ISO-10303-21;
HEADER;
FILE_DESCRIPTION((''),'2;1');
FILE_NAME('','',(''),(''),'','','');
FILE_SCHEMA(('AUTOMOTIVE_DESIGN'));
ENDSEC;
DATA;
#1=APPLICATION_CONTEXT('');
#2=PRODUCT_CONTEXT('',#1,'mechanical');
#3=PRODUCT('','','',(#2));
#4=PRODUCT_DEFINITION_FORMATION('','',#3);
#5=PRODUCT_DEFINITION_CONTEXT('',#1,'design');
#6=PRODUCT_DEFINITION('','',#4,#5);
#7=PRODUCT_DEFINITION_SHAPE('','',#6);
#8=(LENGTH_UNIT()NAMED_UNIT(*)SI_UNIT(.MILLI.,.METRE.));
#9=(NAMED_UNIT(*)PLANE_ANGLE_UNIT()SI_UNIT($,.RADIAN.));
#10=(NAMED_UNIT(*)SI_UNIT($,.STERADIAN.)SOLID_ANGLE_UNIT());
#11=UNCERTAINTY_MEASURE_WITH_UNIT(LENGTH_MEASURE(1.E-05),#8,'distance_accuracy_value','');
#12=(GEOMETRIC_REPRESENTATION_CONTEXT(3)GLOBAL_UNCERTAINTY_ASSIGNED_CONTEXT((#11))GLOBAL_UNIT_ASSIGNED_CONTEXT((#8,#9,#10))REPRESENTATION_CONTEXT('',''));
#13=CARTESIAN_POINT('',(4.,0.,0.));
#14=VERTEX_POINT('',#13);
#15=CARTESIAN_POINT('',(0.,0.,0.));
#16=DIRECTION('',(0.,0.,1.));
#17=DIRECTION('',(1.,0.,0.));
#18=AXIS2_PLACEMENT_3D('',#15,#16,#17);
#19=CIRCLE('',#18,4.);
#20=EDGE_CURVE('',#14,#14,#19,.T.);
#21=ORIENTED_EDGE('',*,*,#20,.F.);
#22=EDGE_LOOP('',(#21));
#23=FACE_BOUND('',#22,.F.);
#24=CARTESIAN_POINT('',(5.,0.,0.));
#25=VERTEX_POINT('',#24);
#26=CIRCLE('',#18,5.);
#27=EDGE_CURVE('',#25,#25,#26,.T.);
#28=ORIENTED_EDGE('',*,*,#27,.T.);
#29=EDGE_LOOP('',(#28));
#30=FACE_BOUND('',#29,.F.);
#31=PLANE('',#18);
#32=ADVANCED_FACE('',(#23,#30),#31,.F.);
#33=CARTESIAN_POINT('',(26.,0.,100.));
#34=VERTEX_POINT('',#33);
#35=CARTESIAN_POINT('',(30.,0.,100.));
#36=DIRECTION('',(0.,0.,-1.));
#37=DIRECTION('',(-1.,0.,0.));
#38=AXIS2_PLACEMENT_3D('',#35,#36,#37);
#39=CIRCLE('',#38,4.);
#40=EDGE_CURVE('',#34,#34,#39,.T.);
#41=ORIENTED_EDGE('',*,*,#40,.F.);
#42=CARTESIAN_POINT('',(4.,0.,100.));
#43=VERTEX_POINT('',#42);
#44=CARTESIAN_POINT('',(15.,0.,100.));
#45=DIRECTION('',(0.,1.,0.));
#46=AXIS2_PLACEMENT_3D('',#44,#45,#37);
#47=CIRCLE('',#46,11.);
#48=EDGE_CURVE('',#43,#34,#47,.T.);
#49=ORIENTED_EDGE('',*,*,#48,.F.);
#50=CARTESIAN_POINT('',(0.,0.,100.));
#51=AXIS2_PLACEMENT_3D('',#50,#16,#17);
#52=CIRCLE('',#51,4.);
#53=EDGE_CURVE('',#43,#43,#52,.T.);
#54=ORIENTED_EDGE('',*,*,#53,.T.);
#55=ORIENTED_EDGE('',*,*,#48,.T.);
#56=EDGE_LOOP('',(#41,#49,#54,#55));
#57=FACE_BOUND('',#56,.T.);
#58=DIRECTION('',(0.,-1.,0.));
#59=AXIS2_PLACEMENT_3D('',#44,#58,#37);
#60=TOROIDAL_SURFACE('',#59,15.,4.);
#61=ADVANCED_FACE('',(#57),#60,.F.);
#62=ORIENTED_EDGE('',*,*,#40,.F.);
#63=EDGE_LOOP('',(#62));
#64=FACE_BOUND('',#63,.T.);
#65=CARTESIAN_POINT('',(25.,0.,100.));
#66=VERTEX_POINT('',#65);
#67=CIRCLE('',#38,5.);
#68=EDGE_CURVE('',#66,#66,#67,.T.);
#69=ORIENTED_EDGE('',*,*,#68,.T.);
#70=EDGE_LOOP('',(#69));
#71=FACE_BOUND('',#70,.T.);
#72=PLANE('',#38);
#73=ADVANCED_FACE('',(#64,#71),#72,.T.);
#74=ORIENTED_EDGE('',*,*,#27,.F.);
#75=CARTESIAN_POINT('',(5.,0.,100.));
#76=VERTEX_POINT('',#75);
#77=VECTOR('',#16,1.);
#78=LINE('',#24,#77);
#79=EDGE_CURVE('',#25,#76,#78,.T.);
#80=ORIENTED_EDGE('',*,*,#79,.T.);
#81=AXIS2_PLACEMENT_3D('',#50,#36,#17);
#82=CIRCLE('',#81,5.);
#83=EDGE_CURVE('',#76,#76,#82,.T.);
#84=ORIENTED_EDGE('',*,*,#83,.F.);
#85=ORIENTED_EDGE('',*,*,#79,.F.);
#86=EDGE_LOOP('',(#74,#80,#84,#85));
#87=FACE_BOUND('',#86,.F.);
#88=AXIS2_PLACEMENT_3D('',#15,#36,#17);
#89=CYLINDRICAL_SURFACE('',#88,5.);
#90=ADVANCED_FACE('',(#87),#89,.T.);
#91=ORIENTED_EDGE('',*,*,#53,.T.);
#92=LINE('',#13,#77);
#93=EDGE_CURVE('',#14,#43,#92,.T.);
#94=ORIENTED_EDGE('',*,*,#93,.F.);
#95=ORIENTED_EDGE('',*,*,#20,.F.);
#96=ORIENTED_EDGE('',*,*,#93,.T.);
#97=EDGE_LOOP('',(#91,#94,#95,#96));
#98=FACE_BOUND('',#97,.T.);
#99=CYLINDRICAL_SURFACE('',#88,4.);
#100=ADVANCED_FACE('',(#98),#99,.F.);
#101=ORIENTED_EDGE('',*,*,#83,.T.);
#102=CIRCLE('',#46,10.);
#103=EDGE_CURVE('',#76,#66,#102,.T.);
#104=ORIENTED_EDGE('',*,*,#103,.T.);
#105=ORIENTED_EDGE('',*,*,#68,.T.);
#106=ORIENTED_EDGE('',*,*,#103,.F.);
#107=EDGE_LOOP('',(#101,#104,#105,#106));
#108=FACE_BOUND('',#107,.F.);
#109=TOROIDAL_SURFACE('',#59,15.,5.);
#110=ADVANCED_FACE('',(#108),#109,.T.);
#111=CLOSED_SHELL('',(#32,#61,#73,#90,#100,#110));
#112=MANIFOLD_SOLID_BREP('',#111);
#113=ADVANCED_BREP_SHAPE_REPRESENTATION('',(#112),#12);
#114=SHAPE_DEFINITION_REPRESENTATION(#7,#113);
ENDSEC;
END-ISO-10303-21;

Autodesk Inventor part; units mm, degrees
ref_plane "YZ Plane" through (0, 0, 0) normal (1, 0, 0) x (0, 1, 0)
ref_plane "XZ Plane" through (0, 0, 0) normal (0, 1, 0) x (-1, 0, 0)
ref_plane "XY Plane" through (0, 0, 0) normal (0, 0, 1) x (1, 0, 0)
sketch "Sketch15" plane through (0, 0, 0) normal (0, 0, 1) x (1, 0, 0)
  circle A0 centre (0, 0) radius 5
  circle A1 centre (0, 0) radius 4
  line L0 (-5, 5.5558) -> (-5, -5.9094)
  line L1 (-5, 5.5558) -> (-12.7265, 5.5558)
  line L2 (-12.7265, 5.5558) -> (-12.7265, -5.9094)
  line L3 (-12.7265, -5.9094) -> (-5, -5.9094)
  line L4 (-5, -5.9094) -> (-5, 5.5558)
  dimension "d48" = 10
  dimension "d49" = 8
extrude "Extrusion3" add sketch "Sketch15" along normal blind 100 contours A0
sketch "Sketch16" plane through (0, 0, 100) normal (0, 0, 1) x (1, 0, 0)
  circle A0 centre (0, 0) radius 5
  circle A1 centre (0, 0) radius 4
  line L0 (15, -5) -> (15, 5)
revolve "Revolution2" add sketch "Sketch16" angle 180 about axis through (15, -5, 100) along (0, 1, 0)
properties part number "lampa"
